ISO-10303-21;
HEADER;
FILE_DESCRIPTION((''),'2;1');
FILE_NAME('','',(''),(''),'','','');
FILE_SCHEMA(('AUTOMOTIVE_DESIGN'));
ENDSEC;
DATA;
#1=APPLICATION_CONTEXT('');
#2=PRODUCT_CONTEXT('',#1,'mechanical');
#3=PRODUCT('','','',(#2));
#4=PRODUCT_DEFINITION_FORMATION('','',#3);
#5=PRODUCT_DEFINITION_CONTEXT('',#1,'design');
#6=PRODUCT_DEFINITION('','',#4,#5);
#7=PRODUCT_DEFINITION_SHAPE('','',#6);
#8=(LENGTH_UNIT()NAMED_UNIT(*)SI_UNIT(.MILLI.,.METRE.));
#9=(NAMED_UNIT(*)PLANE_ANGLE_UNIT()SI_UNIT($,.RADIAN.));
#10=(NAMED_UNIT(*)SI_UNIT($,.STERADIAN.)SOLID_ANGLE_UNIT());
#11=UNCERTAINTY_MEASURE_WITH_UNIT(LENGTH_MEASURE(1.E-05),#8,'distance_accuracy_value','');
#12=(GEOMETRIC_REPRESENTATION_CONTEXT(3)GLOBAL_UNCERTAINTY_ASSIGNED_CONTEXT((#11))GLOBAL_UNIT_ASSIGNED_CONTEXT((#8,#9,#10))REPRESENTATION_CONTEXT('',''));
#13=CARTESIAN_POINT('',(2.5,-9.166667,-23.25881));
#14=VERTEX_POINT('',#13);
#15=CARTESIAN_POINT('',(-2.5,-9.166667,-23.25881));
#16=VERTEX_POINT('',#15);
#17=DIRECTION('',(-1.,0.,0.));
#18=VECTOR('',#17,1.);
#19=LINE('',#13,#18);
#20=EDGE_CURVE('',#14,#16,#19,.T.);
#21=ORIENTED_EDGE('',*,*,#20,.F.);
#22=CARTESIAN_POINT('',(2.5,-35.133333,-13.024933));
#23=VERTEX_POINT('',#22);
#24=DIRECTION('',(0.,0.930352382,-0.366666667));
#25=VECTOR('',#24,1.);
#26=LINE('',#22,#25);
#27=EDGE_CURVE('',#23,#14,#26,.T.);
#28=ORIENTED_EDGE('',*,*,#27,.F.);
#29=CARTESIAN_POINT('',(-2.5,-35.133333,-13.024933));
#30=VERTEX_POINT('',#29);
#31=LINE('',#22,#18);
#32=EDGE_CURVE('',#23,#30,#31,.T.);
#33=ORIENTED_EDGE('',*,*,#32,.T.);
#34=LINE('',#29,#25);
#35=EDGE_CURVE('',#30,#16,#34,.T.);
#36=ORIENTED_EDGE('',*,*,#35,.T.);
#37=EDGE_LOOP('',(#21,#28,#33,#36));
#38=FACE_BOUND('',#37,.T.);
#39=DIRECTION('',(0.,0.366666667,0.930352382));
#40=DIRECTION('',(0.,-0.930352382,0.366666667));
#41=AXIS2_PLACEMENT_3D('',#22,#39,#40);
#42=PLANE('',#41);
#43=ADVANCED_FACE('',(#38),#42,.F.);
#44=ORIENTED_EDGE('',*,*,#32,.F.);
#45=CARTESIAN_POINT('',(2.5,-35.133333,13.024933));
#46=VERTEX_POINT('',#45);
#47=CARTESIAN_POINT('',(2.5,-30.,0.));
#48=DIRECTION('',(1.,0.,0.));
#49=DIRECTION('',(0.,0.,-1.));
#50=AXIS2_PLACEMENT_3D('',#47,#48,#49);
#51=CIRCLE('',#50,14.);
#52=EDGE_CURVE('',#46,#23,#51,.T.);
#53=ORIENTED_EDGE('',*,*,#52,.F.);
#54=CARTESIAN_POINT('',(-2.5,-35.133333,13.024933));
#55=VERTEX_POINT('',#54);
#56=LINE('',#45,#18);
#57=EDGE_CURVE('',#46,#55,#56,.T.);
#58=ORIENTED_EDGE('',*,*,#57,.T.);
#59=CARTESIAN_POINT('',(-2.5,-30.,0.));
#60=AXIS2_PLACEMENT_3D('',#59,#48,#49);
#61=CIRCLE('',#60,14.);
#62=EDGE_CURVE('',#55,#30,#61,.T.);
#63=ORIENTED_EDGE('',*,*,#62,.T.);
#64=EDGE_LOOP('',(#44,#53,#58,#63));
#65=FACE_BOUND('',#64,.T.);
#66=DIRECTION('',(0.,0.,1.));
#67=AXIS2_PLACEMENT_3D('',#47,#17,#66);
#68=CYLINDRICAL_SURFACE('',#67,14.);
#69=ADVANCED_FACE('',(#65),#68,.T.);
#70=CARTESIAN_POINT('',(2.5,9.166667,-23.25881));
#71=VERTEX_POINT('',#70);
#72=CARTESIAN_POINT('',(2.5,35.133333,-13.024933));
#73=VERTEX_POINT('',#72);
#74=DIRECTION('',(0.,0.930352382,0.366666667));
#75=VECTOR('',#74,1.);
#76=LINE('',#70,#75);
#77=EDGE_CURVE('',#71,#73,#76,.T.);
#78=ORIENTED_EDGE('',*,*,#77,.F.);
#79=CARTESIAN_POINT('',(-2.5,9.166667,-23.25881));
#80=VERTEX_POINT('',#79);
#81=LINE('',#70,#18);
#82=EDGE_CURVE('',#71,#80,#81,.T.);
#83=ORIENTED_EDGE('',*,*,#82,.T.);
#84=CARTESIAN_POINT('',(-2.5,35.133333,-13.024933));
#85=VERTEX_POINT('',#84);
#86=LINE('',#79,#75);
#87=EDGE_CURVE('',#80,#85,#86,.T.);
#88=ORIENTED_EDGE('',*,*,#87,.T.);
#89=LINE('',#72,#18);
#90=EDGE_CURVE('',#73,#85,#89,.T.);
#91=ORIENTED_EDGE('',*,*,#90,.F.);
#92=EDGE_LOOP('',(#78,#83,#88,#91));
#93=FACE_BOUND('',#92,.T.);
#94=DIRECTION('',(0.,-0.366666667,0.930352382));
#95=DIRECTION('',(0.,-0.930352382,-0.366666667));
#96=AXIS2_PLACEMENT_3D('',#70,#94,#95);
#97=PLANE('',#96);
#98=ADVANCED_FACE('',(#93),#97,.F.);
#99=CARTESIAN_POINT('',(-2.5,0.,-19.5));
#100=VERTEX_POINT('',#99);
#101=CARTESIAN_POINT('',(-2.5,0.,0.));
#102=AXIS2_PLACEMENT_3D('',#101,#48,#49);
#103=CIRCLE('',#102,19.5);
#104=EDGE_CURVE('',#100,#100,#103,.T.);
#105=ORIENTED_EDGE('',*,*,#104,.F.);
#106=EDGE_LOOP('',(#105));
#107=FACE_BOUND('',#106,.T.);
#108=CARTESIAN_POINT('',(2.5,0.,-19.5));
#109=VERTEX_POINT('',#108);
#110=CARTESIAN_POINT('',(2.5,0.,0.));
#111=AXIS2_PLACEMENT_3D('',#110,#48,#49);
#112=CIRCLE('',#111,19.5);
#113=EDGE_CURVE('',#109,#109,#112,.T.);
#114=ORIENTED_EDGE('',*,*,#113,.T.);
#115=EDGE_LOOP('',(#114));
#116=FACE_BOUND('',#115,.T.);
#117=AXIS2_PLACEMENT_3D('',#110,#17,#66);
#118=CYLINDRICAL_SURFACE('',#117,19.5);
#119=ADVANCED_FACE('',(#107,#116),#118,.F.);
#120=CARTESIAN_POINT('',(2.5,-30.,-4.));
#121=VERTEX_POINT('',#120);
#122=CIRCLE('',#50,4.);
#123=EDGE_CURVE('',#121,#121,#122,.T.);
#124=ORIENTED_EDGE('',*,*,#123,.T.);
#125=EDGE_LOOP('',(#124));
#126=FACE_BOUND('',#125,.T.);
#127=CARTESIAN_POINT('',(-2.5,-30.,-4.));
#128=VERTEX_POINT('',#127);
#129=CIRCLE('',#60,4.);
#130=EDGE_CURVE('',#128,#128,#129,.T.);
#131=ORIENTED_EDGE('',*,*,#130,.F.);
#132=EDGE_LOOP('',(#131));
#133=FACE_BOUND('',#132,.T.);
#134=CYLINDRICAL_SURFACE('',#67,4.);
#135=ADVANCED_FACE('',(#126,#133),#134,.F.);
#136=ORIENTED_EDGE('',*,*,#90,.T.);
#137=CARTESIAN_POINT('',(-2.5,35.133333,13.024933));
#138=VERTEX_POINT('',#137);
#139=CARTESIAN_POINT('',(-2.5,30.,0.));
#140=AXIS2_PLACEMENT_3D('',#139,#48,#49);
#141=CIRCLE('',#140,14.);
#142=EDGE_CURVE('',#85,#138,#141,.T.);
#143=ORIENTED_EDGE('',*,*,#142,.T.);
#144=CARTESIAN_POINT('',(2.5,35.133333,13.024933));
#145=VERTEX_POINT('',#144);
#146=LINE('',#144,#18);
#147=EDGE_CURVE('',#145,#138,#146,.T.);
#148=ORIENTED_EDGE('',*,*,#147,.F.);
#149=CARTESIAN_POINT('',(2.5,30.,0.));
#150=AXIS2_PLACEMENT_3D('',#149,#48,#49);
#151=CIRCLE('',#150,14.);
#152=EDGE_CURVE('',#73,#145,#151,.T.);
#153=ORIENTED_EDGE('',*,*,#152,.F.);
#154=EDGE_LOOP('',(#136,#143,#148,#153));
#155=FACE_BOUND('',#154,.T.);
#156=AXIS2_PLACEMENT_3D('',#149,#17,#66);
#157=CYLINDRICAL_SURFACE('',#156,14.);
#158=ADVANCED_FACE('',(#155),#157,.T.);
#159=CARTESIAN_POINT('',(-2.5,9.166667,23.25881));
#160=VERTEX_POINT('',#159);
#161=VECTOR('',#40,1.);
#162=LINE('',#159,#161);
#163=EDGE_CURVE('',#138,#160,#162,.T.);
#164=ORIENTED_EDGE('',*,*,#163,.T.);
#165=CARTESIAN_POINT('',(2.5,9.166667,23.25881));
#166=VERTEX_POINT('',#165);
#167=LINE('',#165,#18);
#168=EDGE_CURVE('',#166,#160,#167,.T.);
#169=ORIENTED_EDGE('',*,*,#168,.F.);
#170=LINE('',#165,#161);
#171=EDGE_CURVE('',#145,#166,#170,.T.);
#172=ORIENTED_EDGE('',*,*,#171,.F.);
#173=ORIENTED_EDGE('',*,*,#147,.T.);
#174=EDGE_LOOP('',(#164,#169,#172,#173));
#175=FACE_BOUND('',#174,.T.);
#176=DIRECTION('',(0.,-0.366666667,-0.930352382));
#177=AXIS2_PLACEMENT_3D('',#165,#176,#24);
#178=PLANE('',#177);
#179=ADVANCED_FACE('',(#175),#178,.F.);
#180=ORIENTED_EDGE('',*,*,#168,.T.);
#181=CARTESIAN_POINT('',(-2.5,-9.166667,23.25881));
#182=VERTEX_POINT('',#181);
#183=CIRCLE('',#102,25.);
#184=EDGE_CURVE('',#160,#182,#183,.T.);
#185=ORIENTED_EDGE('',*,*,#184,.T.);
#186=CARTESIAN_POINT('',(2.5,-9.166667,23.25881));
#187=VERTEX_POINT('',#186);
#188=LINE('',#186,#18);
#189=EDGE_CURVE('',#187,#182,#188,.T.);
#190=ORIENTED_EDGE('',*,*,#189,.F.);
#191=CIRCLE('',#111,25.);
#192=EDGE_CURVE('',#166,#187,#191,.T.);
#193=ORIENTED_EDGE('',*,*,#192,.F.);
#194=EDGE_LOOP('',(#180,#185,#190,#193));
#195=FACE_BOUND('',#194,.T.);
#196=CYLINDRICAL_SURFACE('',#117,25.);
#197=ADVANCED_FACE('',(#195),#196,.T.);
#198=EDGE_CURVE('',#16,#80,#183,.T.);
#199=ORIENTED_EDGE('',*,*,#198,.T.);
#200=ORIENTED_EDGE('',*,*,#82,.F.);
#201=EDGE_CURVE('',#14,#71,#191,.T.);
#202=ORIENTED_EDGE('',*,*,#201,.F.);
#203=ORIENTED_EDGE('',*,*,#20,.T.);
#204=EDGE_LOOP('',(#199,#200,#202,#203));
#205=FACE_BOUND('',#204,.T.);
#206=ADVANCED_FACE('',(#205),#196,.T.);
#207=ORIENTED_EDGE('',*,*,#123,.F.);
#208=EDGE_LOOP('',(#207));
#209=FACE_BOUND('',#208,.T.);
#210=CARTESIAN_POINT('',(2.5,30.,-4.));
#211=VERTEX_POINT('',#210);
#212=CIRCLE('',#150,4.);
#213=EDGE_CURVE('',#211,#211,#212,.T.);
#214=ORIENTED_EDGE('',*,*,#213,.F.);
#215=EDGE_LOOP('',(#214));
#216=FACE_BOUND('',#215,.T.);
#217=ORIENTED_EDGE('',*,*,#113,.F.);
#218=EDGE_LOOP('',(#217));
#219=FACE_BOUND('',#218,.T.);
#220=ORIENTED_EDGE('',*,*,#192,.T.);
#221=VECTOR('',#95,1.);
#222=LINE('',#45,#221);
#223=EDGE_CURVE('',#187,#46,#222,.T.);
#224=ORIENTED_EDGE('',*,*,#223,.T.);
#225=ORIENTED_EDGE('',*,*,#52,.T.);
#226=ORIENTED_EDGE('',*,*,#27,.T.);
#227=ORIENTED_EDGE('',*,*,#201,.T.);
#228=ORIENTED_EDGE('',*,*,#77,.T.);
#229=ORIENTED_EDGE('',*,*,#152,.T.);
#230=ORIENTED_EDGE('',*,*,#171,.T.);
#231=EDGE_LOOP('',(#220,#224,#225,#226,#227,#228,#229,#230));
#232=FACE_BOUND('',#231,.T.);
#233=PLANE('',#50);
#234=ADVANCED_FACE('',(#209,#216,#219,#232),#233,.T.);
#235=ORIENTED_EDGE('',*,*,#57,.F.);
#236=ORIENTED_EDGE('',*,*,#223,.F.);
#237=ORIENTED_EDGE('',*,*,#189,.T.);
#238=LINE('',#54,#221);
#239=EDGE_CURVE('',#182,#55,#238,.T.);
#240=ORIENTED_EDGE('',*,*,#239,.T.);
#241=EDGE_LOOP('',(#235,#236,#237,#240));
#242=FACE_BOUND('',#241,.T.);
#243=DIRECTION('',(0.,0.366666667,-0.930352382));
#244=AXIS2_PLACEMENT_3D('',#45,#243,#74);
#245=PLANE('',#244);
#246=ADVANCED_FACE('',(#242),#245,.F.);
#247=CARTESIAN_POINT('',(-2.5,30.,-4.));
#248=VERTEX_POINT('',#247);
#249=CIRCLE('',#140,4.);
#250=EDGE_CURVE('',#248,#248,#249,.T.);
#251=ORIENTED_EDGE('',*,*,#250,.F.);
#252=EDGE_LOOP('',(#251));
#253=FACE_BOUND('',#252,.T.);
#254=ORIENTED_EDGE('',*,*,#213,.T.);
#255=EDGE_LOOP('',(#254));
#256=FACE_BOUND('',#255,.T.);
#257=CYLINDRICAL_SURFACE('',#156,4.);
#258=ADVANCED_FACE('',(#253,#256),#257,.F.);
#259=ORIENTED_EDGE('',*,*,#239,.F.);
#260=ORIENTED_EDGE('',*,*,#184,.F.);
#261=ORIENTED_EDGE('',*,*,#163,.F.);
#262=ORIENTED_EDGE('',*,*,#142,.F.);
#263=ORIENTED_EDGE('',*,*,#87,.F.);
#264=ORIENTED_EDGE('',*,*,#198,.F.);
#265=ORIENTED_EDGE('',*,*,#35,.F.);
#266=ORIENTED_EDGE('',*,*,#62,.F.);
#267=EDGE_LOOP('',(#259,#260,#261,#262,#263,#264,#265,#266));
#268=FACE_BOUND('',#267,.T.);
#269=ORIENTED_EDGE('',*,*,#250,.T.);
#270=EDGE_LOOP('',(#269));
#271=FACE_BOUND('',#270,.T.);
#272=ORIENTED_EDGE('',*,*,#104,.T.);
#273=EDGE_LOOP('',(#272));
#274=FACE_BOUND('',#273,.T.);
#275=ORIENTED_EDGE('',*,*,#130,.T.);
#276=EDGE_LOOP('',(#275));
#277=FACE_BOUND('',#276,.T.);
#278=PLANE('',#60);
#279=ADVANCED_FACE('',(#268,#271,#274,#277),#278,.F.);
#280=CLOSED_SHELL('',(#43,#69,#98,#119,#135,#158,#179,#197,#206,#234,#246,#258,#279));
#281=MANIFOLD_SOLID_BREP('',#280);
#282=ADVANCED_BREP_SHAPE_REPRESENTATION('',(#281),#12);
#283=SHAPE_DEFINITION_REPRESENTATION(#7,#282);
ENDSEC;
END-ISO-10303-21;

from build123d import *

# Parameters (mm, degrees)
SKETCH1_R           = 19.5
SKETCH1_R_2         = 4
BOSS_EXTRUDE1_DEPTH = 2.5


with BuildPart() as part:
    # Sketch1 → Boss-Extrude1 (new, symmetric)
    with BuildSketch(Plane.YZ):
        with BuildLine():
            Line((-35.133333333, 13.024933354), (-9.166666667, 23.258809562))
            ThreePointArc((-9.166666667, 23.258809562), (0, 25), (9.166666667, 23.258809562))
            Line((9.166666667, 23.258809562), (35.133333333, 13.024933354))
            ThreePointArc((35.133333333, 13.024933354), (44, 0), (35.133333333, -13.024933354))
            Line((35.133333333, -13.024933354), (9.166666667, -23.258809562))
            ThreePointArc((9.166666667, -23.258809562), (0, -25), (-9.166666667, -23.258809562))
            Line((-9.166666667, -23.258809562), (-35.133333333, -13.024933354))
            ThreePointArc((-35.133333333, -13.024933354), (-44, 0), (-35.133333333, 13.024933354))
        make_face()
        with Locations(Location((0, 0, 0), (0, 0, 270))):
            Circle(SKETCH1_R, mode=Mode.SUBTRACT)
        with Locations(Location((30, 0, 0), (0, 0, 270))):
            Circle(SKETCH1_R_2, mode=Mode.SUBTRACT)
        with Locations(Location((-30, 0, 0), (0, 0, 270))):
            Circle(SKETCH1_R_2, mode=Mode.SUBTRACT)
    extrude(amount=BOSS_EXTRUDE1_DEPTH, both=True)


solid = part.part
